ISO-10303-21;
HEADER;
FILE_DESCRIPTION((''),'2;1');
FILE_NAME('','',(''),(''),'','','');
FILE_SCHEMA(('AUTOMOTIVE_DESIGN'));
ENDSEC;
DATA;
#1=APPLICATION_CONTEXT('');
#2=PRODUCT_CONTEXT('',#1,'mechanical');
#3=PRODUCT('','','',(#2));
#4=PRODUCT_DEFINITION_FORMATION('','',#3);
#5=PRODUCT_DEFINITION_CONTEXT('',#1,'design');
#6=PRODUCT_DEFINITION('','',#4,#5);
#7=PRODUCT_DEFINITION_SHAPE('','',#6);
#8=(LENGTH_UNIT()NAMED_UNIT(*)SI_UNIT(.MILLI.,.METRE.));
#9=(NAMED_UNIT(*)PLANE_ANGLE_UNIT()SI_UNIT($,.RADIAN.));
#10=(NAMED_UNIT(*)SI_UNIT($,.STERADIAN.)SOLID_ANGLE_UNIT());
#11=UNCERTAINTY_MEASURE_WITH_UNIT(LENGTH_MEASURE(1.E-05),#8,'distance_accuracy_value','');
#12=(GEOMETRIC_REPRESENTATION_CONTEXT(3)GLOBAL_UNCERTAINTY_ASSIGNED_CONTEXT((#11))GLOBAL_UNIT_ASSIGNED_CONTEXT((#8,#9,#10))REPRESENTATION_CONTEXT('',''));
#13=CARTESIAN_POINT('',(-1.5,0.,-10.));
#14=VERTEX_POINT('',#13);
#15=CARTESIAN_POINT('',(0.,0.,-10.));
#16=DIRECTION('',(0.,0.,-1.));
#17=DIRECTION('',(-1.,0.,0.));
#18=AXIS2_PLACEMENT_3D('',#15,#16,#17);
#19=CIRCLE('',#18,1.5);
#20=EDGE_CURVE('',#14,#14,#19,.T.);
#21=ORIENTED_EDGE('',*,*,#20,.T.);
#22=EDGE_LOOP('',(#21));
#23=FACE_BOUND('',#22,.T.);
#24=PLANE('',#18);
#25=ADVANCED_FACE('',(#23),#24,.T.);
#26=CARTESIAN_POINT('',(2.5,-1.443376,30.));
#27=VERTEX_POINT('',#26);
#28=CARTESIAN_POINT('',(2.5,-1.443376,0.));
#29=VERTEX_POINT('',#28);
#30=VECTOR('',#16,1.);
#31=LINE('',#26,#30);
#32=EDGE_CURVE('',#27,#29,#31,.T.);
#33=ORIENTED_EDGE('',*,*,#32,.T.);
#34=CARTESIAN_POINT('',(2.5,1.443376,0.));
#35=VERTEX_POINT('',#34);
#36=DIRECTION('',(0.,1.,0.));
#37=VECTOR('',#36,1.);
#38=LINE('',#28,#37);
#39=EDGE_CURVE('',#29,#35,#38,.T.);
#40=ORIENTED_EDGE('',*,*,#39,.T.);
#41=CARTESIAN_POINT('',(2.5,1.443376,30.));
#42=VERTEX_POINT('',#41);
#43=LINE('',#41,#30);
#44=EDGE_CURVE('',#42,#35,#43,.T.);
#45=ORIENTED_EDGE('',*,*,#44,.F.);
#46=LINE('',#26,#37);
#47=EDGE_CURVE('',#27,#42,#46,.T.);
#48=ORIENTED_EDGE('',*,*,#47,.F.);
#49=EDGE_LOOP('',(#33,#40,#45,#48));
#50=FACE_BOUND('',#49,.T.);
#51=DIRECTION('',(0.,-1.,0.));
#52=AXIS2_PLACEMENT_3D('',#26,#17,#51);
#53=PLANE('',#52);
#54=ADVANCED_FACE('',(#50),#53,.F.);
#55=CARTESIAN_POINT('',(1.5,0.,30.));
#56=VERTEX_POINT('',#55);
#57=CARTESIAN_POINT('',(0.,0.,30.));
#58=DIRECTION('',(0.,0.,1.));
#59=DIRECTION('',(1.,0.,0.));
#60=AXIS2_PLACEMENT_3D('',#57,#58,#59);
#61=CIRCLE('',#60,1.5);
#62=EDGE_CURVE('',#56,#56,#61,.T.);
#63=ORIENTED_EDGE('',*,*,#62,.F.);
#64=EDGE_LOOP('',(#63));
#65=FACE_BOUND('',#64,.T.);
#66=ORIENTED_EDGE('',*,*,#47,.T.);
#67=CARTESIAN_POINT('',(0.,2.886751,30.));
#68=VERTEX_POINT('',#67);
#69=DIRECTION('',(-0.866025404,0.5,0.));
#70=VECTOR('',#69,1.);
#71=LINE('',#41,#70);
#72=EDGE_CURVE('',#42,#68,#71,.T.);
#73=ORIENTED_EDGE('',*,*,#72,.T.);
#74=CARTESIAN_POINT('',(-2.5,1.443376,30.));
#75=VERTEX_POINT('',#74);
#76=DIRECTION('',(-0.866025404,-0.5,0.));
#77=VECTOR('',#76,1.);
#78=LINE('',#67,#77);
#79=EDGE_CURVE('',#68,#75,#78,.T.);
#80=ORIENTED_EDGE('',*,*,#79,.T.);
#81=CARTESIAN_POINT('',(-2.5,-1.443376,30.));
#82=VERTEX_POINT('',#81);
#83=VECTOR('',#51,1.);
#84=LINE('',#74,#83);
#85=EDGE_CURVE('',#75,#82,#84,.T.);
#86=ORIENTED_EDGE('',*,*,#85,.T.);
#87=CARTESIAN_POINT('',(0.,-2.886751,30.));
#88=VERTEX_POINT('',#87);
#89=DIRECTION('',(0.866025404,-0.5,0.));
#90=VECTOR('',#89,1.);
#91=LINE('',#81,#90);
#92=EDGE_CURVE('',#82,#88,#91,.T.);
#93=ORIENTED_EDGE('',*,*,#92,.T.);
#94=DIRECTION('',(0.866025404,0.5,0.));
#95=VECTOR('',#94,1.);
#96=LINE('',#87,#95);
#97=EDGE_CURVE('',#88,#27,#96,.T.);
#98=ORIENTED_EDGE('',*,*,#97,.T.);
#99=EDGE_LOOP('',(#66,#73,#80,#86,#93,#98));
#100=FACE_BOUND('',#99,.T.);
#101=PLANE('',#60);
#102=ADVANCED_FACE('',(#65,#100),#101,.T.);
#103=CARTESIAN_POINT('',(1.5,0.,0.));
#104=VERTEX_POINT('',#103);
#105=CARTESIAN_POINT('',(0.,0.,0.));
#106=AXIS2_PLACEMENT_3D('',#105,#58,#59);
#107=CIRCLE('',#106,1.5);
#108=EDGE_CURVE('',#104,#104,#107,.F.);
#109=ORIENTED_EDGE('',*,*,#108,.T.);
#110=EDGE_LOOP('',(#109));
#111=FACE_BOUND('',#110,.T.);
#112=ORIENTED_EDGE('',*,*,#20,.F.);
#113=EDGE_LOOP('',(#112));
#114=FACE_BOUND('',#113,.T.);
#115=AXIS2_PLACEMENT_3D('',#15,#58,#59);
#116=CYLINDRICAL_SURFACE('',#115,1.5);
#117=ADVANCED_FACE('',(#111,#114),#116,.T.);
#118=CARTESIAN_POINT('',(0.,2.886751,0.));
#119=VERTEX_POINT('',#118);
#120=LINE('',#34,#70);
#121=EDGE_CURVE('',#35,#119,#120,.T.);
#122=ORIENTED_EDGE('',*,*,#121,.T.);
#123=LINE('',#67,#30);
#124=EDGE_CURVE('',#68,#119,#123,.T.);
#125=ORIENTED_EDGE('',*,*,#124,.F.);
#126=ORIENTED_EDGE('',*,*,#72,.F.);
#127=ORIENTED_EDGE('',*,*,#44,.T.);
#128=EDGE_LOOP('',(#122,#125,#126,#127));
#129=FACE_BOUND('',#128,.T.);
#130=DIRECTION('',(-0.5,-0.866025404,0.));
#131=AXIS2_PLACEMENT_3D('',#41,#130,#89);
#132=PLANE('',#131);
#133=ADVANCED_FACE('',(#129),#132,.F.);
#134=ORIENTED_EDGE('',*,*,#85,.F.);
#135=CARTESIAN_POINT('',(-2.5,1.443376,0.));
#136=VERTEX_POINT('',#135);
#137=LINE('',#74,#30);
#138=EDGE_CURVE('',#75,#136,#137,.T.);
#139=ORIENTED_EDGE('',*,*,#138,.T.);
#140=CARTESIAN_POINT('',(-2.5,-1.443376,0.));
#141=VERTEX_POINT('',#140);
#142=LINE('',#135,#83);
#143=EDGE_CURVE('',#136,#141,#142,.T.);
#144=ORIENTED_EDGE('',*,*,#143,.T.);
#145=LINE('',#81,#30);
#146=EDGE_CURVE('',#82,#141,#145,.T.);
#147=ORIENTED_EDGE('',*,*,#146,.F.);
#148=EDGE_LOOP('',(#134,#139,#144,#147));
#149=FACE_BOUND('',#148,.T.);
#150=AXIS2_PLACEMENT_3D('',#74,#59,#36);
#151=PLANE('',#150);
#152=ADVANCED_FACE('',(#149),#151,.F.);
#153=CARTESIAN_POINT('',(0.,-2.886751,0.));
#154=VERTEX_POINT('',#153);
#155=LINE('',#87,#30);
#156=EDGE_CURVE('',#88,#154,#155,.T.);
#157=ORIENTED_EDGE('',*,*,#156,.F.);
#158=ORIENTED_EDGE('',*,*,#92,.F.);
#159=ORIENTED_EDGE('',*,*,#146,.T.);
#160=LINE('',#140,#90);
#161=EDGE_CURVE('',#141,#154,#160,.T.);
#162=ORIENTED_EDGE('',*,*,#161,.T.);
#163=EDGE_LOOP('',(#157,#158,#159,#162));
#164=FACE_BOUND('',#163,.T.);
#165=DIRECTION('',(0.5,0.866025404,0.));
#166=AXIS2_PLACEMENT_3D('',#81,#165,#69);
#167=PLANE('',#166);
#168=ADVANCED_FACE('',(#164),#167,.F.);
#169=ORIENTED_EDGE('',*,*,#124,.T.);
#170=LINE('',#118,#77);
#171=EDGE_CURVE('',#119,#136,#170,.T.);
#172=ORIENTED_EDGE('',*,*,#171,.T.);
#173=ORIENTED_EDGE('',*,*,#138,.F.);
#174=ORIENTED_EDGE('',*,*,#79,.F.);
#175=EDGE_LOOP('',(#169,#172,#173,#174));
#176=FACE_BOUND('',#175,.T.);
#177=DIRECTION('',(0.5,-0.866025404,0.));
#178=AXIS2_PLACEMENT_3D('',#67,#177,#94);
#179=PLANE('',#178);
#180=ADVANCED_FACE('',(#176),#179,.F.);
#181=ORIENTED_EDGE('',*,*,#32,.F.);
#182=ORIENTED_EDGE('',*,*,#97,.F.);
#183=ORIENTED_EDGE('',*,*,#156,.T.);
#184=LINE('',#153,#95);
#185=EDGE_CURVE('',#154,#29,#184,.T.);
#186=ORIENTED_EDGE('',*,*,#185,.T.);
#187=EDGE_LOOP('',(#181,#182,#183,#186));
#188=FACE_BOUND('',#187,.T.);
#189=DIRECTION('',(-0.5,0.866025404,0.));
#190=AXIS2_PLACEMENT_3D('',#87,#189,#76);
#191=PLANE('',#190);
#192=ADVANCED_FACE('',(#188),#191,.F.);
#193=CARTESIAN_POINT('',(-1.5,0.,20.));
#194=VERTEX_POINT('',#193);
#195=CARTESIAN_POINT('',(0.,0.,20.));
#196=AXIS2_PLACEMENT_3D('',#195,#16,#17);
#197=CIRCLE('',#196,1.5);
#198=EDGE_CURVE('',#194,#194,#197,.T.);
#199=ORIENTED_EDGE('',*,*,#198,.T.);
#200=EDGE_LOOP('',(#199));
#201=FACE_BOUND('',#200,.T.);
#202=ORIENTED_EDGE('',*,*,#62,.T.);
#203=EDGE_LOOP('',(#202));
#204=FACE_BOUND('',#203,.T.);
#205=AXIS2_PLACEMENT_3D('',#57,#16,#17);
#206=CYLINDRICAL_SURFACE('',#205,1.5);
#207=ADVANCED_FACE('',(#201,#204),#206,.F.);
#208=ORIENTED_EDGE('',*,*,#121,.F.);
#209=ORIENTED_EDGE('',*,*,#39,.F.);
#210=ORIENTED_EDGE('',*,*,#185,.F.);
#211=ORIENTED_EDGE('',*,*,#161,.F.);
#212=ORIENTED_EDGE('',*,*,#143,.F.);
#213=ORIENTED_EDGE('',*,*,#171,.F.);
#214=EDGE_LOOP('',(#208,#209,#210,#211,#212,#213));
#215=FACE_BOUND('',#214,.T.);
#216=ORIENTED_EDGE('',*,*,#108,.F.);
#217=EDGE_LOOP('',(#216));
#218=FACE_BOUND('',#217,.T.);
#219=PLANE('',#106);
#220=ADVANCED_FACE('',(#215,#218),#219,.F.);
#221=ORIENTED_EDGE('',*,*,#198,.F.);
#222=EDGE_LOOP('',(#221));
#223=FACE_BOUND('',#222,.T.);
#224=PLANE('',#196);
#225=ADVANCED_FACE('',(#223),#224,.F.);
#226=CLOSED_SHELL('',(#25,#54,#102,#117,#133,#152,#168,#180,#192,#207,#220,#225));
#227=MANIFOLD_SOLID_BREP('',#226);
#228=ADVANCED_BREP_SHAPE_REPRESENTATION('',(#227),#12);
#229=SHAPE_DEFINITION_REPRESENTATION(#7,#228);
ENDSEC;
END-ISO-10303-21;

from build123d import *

# Parameters (mm, degrees)
ESQUISSE1_R             = 1.5
BOSS_EXTRU_2_DEPTH      = 30
ESQUISSE3_R             = 1.5
BOSS_EXTRU_3_DEPTH      = 10
BOSS_EXTRU_3_DEPTH_BACK = 20


with BuildPart() as part:
    # Esquisse1 → Boss.-Extru.2 (new body)
    with BuildSketch(Plane.XY):
        Polygon((0, -2.886751346), (2.5, -1.443375673), (2.5, 1.443375673), (0, 2.886751346), (-2.5, 1.443375673), (-2.5, -1.443375673), align=None)
        Circle(ESQUISSE1_R, mode=Mode.SUBTRACT)
    extrude(amount=BOSS_EXTRU_2_DEPTH)

    # Esquisse3 → Boss.-Extru.3 (add, two sides)
    with BuildSketch(Plane(origin=(0, 0, 0), x_dir=(-1, 0, 0), z_dir=(0, 0, -1))) as boss_extru_3_sk:
        Circle(ESQUISSE3_R)
    extrude(amount=BOSS_EXTRU_3_DEPTH)
    extrude(boss_extru_3_sk.sketch, amount=-BOSS_EXTRU_3_DEPTH_BACK)


solid = part.part
